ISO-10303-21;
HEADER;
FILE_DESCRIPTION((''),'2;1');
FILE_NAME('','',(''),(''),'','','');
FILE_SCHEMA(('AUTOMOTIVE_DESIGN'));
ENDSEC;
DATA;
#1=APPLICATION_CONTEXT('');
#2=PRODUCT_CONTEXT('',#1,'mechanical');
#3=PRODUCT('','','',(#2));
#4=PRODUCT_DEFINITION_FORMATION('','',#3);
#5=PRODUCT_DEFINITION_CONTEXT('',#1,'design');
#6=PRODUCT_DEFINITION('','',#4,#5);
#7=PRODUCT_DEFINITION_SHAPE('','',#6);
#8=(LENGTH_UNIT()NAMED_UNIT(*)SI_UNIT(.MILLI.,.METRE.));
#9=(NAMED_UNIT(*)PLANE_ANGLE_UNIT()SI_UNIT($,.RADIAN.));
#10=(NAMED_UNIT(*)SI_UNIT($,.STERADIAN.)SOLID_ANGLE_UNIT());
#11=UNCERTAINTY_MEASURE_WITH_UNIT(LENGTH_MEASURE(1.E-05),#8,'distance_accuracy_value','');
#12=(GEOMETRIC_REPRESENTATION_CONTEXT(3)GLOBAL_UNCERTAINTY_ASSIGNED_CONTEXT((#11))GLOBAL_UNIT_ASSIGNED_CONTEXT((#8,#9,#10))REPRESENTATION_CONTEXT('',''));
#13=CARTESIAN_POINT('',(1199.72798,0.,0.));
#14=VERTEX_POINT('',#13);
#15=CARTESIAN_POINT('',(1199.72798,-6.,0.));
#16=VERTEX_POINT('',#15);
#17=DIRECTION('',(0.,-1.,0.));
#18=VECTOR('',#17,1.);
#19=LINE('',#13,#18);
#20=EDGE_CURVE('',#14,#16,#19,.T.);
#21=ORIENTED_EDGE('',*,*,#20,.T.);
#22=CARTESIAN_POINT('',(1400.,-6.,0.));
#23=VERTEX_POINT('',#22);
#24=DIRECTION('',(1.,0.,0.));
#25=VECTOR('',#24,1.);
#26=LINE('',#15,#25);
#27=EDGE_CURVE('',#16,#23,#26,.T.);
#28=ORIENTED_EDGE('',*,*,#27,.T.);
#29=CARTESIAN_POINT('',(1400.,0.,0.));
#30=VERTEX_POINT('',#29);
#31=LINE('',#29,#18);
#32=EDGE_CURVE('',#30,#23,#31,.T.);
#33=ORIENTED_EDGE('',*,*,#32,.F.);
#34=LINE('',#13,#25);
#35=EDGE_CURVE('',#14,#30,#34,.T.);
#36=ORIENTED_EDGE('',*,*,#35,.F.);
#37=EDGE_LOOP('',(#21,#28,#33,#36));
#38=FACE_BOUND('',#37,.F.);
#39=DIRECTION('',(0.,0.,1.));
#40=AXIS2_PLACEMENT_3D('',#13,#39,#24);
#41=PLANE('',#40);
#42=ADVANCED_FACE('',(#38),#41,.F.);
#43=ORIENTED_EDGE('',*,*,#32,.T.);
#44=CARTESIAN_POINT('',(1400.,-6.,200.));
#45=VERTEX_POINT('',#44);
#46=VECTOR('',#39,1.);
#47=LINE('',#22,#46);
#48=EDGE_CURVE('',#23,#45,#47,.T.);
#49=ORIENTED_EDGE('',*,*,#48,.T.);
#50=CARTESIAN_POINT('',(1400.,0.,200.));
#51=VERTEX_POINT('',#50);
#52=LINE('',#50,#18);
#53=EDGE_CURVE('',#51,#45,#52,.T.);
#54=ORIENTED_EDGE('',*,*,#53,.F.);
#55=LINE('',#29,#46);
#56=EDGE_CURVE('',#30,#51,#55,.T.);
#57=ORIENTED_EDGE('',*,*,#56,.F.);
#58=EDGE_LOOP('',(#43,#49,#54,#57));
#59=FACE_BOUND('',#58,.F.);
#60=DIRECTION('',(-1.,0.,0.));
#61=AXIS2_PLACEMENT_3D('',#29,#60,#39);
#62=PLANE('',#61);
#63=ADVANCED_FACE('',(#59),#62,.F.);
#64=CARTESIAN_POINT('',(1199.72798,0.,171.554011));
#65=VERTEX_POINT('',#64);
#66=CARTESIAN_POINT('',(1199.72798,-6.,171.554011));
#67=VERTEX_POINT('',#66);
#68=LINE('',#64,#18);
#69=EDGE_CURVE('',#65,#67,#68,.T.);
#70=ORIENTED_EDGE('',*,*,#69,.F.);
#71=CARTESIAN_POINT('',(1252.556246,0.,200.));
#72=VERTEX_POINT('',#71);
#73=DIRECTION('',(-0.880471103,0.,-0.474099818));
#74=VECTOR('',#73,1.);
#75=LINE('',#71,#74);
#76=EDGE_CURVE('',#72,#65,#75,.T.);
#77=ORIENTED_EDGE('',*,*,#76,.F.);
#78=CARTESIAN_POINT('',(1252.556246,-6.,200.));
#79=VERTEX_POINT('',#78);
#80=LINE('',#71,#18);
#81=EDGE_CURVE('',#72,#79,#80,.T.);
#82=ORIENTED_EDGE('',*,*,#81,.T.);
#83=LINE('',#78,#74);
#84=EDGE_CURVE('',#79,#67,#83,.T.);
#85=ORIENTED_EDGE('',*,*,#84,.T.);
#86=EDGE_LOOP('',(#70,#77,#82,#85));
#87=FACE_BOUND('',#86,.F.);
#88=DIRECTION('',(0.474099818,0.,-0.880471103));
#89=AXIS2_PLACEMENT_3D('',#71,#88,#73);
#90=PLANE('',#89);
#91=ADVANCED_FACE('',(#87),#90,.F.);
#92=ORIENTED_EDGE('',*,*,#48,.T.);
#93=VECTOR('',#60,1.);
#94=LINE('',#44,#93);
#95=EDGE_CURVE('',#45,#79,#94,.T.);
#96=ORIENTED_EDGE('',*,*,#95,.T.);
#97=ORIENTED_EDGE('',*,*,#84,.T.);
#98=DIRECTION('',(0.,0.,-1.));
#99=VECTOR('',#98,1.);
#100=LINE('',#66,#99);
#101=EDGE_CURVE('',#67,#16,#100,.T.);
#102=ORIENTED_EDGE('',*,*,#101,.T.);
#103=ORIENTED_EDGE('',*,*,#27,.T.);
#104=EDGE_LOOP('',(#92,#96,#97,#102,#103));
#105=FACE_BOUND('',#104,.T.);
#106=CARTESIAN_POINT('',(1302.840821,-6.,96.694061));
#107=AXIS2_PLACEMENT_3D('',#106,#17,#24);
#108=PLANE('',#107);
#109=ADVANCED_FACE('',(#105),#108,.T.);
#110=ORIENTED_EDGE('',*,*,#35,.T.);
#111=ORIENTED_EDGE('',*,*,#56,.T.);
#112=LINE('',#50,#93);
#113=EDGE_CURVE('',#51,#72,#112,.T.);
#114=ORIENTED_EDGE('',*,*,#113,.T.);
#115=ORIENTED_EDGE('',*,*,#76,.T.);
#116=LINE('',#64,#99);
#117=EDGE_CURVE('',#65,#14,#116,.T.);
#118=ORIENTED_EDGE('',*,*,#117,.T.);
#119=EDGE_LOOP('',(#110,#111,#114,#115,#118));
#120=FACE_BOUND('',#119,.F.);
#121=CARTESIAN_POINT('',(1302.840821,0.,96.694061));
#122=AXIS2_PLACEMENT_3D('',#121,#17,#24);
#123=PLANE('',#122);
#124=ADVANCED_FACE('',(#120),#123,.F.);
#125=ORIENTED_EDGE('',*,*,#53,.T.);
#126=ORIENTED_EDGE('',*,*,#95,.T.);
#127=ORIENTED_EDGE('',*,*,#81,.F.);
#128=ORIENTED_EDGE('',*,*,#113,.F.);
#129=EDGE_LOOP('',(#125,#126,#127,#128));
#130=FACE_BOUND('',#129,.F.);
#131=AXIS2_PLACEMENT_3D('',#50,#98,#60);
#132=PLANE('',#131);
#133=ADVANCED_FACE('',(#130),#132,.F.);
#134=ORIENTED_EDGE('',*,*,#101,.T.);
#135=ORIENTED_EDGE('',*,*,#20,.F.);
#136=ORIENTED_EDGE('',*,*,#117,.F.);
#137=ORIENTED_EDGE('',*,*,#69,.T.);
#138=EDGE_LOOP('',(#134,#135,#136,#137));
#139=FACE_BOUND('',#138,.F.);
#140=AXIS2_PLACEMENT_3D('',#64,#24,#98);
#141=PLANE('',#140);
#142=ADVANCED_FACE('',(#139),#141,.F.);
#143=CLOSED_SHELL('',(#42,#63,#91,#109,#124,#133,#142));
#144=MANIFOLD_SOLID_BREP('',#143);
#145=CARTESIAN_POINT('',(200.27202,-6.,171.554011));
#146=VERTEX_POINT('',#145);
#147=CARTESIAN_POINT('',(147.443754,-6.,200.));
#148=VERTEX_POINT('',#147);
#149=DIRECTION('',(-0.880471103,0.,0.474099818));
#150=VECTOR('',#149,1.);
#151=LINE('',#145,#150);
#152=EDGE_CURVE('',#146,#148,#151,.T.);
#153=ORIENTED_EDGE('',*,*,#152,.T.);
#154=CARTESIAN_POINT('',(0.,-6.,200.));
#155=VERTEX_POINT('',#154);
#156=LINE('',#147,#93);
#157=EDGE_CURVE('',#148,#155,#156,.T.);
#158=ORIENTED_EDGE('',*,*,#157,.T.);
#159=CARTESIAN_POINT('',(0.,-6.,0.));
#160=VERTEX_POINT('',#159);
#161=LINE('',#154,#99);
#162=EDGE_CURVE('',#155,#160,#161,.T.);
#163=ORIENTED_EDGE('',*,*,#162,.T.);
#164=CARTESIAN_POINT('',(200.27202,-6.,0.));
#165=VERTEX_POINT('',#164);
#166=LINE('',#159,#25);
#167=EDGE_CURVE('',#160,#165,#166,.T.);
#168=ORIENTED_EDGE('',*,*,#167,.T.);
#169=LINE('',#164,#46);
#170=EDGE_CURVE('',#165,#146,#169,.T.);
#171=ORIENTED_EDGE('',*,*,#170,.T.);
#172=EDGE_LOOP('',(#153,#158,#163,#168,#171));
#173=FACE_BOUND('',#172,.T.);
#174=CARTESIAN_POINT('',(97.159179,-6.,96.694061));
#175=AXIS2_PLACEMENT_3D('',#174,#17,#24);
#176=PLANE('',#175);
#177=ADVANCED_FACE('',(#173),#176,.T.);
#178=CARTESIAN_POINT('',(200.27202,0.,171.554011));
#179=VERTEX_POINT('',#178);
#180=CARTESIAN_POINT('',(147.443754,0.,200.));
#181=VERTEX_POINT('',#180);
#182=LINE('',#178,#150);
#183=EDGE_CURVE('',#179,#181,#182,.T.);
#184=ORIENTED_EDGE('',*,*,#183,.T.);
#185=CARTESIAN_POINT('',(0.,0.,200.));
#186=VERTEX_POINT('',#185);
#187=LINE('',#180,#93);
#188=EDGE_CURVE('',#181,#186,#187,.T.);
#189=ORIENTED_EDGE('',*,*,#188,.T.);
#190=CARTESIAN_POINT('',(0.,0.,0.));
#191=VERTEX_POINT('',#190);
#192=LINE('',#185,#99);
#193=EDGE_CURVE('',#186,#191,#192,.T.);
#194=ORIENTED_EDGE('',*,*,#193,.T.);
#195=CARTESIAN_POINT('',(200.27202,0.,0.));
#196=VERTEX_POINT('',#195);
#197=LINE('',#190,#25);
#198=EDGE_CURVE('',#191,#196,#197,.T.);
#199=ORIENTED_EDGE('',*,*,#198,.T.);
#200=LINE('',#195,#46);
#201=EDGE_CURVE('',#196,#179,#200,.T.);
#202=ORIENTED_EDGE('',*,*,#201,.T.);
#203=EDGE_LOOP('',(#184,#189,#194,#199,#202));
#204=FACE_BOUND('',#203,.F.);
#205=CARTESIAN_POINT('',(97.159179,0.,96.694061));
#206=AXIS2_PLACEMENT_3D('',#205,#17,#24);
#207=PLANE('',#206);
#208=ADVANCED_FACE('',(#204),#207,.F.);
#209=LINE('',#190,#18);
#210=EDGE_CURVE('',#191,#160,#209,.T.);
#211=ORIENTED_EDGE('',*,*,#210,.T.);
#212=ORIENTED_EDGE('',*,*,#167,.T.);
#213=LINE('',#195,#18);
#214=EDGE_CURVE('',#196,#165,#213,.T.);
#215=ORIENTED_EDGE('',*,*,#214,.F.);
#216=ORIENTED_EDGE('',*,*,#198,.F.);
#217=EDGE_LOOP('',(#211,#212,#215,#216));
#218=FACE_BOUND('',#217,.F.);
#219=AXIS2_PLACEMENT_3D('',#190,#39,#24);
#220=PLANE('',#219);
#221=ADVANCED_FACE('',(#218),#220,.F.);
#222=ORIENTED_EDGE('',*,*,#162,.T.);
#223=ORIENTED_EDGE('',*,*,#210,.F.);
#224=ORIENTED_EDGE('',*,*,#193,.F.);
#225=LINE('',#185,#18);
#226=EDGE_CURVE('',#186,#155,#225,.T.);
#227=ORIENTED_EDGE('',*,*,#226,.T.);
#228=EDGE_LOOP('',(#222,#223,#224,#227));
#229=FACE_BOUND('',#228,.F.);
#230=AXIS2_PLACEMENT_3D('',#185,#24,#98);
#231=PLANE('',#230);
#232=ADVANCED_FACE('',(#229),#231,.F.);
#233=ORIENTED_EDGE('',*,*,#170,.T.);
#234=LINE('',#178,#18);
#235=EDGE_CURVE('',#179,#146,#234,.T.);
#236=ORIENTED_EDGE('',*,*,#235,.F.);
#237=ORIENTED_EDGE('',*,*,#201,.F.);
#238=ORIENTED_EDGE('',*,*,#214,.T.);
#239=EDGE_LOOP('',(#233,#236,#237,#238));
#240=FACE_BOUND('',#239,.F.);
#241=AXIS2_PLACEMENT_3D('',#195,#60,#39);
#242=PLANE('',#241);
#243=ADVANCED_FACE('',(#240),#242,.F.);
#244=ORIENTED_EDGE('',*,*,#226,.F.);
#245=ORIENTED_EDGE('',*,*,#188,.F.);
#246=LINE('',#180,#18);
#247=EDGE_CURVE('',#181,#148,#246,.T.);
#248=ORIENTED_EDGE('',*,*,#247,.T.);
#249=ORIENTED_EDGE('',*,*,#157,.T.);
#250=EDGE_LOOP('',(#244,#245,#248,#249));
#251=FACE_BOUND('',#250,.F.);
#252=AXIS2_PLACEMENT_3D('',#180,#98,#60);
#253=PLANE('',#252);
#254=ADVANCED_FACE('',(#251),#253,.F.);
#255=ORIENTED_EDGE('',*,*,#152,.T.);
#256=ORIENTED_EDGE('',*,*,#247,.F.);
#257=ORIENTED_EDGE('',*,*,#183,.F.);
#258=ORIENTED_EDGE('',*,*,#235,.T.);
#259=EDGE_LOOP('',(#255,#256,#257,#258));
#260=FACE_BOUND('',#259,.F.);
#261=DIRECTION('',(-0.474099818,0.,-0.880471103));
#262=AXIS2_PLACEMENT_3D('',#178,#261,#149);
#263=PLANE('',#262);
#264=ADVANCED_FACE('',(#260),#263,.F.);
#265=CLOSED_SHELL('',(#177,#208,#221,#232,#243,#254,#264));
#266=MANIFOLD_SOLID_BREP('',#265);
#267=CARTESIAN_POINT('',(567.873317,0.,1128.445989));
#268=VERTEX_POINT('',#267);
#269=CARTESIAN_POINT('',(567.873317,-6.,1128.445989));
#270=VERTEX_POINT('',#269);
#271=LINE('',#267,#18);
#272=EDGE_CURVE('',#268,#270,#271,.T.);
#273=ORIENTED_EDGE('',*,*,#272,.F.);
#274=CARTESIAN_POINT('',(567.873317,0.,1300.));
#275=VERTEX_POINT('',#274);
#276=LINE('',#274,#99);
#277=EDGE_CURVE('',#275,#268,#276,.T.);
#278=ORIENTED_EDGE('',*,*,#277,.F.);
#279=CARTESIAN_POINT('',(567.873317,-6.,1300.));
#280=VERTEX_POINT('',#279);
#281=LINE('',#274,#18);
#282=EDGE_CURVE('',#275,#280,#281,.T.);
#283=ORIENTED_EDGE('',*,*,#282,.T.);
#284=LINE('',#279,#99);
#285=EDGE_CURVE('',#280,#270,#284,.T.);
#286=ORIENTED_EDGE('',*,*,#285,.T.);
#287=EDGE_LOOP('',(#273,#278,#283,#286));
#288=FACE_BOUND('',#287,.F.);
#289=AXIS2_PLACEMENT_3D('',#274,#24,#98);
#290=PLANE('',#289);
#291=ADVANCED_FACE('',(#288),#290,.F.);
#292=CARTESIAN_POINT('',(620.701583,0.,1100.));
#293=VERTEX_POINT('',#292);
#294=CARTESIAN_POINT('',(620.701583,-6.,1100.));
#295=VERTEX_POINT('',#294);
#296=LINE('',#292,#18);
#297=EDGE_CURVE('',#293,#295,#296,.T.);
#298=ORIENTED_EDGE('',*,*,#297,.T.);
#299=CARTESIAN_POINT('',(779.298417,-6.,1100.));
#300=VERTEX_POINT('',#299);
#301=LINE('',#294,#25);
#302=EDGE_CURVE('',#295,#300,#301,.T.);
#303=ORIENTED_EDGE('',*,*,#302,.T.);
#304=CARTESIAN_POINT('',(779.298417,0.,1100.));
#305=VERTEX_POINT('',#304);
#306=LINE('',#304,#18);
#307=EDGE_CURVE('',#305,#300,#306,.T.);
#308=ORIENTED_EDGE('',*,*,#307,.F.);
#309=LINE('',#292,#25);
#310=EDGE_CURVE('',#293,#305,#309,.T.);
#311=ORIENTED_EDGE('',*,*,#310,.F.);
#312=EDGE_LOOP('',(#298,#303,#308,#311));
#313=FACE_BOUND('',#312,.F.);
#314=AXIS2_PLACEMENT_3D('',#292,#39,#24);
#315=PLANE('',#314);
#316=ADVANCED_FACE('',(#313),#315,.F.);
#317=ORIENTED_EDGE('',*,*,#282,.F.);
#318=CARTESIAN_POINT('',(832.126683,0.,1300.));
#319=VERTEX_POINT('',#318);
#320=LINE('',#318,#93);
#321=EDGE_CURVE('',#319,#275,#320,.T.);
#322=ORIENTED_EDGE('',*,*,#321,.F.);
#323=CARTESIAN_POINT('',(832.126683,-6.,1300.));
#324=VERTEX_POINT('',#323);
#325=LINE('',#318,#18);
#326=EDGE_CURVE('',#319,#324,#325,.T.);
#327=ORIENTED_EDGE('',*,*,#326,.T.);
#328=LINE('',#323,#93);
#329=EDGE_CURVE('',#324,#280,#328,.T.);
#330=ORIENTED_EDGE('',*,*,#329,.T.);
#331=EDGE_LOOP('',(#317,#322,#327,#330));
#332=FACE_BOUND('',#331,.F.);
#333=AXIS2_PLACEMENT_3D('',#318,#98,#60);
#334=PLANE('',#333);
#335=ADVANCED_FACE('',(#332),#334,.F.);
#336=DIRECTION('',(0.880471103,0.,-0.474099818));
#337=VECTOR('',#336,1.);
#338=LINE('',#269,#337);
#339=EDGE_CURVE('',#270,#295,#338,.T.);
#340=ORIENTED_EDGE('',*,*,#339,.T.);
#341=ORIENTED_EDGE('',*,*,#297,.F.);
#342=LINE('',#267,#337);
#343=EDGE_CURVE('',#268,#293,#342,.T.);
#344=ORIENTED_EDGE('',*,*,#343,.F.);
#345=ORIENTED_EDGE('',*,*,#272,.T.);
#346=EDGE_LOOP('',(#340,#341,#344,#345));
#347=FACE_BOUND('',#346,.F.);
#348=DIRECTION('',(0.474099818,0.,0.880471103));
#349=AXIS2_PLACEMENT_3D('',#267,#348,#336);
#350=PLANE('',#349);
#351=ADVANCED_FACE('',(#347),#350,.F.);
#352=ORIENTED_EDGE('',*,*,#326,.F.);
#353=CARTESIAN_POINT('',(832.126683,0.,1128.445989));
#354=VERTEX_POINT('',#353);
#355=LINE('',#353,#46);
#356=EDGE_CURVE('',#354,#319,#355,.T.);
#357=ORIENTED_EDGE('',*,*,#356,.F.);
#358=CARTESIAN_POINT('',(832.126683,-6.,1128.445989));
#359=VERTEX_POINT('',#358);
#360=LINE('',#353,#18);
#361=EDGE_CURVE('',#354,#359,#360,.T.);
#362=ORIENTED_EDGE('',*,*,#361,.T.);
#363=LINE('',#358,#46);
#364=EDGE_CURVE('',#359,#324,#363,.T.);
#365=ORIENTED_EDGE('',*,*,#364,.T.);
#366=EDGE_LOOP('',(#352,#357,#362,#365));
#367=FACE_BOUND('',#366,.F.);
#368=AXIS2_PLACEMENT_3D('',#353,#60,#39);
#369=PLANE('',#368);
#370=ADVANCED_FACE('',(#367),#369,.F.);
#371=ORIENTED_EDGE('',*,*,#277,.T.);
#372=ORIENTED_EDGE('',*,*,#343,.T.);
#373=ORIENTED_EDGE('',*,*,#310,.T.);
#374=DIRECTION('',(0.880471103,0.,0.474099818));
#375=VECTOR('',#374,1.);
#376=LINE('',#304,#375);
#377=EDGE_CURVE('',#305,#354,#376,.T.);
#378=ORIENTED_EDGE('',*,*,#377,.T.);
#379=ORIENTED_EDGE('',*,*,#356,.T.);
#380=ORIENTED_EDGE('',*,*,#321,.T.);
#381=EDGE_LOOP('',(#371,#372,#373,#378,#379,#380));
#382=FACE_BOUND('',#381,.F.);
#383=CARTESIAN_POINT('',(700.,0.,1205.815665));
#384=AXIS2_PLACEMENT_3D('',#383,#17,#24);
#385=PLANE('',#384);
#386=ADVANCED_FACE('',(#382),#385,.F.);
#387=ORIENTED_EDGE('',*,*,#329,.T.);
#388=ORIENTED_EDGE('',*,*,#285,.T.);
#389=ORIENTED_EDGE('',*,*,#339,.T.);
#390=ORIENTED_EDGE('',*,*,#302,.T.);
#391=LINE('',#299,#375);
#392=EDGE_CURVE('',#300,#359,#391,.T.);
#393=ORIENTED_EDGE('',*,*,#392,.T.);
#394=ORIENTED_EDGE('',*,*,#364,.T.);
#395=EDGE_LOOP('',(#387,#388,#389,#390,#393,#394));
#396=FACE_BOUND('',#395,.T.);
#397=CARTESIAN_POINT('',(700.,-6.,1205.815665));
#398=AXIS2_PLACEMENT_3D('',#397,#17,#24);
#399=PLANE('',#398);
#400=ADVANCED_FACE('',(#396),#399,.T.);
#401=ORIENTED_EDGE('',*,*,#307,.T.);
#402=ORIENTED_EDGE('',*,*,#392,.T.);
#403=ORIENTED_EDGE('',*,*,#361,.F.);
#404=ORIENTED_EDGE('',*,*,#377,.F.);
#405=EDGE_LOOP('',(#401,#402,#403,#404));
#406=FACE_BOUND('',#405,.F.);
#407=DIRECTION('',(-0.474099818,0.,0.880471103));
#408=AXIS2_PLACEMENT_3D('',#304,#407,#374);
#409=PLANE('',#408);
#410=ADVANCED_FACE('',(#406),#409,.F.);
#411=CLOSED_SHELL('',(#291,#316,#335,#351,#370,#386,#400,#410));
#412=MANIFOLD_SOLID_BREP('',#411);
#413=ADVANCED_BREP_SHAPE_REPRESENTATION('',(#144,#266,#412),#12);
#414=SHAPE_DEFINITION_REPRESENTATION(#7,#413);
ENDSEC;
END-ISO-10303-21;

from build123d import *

# Parameters (mm, degrees)
EXTRUDE_DEPTH = 6


with BuildPart() as part:
    # Sketch → Extrude (new body)
    with BuildSketch(Plane.XZ):
        Polygon((0, 0), (200.27202, 0), (200.27202, 171.554011), (147.443754, 200), (0, 200), align=None)
        Polygon((620.701583, 1100), (779.298417, 1100), (832.126683, 1128.445989), (832.126683, 1300), (567.873317, 1300), (567.873317, 1128.445989), align=None)
        Polygon((1199.72798, 0), (1400, 0), (1400, 200), (1252.556246, 200), (1199.72798, 171.554011), align=None)
    extrude(amount=EXTRUDE_DEPTH)


solid = part.part
